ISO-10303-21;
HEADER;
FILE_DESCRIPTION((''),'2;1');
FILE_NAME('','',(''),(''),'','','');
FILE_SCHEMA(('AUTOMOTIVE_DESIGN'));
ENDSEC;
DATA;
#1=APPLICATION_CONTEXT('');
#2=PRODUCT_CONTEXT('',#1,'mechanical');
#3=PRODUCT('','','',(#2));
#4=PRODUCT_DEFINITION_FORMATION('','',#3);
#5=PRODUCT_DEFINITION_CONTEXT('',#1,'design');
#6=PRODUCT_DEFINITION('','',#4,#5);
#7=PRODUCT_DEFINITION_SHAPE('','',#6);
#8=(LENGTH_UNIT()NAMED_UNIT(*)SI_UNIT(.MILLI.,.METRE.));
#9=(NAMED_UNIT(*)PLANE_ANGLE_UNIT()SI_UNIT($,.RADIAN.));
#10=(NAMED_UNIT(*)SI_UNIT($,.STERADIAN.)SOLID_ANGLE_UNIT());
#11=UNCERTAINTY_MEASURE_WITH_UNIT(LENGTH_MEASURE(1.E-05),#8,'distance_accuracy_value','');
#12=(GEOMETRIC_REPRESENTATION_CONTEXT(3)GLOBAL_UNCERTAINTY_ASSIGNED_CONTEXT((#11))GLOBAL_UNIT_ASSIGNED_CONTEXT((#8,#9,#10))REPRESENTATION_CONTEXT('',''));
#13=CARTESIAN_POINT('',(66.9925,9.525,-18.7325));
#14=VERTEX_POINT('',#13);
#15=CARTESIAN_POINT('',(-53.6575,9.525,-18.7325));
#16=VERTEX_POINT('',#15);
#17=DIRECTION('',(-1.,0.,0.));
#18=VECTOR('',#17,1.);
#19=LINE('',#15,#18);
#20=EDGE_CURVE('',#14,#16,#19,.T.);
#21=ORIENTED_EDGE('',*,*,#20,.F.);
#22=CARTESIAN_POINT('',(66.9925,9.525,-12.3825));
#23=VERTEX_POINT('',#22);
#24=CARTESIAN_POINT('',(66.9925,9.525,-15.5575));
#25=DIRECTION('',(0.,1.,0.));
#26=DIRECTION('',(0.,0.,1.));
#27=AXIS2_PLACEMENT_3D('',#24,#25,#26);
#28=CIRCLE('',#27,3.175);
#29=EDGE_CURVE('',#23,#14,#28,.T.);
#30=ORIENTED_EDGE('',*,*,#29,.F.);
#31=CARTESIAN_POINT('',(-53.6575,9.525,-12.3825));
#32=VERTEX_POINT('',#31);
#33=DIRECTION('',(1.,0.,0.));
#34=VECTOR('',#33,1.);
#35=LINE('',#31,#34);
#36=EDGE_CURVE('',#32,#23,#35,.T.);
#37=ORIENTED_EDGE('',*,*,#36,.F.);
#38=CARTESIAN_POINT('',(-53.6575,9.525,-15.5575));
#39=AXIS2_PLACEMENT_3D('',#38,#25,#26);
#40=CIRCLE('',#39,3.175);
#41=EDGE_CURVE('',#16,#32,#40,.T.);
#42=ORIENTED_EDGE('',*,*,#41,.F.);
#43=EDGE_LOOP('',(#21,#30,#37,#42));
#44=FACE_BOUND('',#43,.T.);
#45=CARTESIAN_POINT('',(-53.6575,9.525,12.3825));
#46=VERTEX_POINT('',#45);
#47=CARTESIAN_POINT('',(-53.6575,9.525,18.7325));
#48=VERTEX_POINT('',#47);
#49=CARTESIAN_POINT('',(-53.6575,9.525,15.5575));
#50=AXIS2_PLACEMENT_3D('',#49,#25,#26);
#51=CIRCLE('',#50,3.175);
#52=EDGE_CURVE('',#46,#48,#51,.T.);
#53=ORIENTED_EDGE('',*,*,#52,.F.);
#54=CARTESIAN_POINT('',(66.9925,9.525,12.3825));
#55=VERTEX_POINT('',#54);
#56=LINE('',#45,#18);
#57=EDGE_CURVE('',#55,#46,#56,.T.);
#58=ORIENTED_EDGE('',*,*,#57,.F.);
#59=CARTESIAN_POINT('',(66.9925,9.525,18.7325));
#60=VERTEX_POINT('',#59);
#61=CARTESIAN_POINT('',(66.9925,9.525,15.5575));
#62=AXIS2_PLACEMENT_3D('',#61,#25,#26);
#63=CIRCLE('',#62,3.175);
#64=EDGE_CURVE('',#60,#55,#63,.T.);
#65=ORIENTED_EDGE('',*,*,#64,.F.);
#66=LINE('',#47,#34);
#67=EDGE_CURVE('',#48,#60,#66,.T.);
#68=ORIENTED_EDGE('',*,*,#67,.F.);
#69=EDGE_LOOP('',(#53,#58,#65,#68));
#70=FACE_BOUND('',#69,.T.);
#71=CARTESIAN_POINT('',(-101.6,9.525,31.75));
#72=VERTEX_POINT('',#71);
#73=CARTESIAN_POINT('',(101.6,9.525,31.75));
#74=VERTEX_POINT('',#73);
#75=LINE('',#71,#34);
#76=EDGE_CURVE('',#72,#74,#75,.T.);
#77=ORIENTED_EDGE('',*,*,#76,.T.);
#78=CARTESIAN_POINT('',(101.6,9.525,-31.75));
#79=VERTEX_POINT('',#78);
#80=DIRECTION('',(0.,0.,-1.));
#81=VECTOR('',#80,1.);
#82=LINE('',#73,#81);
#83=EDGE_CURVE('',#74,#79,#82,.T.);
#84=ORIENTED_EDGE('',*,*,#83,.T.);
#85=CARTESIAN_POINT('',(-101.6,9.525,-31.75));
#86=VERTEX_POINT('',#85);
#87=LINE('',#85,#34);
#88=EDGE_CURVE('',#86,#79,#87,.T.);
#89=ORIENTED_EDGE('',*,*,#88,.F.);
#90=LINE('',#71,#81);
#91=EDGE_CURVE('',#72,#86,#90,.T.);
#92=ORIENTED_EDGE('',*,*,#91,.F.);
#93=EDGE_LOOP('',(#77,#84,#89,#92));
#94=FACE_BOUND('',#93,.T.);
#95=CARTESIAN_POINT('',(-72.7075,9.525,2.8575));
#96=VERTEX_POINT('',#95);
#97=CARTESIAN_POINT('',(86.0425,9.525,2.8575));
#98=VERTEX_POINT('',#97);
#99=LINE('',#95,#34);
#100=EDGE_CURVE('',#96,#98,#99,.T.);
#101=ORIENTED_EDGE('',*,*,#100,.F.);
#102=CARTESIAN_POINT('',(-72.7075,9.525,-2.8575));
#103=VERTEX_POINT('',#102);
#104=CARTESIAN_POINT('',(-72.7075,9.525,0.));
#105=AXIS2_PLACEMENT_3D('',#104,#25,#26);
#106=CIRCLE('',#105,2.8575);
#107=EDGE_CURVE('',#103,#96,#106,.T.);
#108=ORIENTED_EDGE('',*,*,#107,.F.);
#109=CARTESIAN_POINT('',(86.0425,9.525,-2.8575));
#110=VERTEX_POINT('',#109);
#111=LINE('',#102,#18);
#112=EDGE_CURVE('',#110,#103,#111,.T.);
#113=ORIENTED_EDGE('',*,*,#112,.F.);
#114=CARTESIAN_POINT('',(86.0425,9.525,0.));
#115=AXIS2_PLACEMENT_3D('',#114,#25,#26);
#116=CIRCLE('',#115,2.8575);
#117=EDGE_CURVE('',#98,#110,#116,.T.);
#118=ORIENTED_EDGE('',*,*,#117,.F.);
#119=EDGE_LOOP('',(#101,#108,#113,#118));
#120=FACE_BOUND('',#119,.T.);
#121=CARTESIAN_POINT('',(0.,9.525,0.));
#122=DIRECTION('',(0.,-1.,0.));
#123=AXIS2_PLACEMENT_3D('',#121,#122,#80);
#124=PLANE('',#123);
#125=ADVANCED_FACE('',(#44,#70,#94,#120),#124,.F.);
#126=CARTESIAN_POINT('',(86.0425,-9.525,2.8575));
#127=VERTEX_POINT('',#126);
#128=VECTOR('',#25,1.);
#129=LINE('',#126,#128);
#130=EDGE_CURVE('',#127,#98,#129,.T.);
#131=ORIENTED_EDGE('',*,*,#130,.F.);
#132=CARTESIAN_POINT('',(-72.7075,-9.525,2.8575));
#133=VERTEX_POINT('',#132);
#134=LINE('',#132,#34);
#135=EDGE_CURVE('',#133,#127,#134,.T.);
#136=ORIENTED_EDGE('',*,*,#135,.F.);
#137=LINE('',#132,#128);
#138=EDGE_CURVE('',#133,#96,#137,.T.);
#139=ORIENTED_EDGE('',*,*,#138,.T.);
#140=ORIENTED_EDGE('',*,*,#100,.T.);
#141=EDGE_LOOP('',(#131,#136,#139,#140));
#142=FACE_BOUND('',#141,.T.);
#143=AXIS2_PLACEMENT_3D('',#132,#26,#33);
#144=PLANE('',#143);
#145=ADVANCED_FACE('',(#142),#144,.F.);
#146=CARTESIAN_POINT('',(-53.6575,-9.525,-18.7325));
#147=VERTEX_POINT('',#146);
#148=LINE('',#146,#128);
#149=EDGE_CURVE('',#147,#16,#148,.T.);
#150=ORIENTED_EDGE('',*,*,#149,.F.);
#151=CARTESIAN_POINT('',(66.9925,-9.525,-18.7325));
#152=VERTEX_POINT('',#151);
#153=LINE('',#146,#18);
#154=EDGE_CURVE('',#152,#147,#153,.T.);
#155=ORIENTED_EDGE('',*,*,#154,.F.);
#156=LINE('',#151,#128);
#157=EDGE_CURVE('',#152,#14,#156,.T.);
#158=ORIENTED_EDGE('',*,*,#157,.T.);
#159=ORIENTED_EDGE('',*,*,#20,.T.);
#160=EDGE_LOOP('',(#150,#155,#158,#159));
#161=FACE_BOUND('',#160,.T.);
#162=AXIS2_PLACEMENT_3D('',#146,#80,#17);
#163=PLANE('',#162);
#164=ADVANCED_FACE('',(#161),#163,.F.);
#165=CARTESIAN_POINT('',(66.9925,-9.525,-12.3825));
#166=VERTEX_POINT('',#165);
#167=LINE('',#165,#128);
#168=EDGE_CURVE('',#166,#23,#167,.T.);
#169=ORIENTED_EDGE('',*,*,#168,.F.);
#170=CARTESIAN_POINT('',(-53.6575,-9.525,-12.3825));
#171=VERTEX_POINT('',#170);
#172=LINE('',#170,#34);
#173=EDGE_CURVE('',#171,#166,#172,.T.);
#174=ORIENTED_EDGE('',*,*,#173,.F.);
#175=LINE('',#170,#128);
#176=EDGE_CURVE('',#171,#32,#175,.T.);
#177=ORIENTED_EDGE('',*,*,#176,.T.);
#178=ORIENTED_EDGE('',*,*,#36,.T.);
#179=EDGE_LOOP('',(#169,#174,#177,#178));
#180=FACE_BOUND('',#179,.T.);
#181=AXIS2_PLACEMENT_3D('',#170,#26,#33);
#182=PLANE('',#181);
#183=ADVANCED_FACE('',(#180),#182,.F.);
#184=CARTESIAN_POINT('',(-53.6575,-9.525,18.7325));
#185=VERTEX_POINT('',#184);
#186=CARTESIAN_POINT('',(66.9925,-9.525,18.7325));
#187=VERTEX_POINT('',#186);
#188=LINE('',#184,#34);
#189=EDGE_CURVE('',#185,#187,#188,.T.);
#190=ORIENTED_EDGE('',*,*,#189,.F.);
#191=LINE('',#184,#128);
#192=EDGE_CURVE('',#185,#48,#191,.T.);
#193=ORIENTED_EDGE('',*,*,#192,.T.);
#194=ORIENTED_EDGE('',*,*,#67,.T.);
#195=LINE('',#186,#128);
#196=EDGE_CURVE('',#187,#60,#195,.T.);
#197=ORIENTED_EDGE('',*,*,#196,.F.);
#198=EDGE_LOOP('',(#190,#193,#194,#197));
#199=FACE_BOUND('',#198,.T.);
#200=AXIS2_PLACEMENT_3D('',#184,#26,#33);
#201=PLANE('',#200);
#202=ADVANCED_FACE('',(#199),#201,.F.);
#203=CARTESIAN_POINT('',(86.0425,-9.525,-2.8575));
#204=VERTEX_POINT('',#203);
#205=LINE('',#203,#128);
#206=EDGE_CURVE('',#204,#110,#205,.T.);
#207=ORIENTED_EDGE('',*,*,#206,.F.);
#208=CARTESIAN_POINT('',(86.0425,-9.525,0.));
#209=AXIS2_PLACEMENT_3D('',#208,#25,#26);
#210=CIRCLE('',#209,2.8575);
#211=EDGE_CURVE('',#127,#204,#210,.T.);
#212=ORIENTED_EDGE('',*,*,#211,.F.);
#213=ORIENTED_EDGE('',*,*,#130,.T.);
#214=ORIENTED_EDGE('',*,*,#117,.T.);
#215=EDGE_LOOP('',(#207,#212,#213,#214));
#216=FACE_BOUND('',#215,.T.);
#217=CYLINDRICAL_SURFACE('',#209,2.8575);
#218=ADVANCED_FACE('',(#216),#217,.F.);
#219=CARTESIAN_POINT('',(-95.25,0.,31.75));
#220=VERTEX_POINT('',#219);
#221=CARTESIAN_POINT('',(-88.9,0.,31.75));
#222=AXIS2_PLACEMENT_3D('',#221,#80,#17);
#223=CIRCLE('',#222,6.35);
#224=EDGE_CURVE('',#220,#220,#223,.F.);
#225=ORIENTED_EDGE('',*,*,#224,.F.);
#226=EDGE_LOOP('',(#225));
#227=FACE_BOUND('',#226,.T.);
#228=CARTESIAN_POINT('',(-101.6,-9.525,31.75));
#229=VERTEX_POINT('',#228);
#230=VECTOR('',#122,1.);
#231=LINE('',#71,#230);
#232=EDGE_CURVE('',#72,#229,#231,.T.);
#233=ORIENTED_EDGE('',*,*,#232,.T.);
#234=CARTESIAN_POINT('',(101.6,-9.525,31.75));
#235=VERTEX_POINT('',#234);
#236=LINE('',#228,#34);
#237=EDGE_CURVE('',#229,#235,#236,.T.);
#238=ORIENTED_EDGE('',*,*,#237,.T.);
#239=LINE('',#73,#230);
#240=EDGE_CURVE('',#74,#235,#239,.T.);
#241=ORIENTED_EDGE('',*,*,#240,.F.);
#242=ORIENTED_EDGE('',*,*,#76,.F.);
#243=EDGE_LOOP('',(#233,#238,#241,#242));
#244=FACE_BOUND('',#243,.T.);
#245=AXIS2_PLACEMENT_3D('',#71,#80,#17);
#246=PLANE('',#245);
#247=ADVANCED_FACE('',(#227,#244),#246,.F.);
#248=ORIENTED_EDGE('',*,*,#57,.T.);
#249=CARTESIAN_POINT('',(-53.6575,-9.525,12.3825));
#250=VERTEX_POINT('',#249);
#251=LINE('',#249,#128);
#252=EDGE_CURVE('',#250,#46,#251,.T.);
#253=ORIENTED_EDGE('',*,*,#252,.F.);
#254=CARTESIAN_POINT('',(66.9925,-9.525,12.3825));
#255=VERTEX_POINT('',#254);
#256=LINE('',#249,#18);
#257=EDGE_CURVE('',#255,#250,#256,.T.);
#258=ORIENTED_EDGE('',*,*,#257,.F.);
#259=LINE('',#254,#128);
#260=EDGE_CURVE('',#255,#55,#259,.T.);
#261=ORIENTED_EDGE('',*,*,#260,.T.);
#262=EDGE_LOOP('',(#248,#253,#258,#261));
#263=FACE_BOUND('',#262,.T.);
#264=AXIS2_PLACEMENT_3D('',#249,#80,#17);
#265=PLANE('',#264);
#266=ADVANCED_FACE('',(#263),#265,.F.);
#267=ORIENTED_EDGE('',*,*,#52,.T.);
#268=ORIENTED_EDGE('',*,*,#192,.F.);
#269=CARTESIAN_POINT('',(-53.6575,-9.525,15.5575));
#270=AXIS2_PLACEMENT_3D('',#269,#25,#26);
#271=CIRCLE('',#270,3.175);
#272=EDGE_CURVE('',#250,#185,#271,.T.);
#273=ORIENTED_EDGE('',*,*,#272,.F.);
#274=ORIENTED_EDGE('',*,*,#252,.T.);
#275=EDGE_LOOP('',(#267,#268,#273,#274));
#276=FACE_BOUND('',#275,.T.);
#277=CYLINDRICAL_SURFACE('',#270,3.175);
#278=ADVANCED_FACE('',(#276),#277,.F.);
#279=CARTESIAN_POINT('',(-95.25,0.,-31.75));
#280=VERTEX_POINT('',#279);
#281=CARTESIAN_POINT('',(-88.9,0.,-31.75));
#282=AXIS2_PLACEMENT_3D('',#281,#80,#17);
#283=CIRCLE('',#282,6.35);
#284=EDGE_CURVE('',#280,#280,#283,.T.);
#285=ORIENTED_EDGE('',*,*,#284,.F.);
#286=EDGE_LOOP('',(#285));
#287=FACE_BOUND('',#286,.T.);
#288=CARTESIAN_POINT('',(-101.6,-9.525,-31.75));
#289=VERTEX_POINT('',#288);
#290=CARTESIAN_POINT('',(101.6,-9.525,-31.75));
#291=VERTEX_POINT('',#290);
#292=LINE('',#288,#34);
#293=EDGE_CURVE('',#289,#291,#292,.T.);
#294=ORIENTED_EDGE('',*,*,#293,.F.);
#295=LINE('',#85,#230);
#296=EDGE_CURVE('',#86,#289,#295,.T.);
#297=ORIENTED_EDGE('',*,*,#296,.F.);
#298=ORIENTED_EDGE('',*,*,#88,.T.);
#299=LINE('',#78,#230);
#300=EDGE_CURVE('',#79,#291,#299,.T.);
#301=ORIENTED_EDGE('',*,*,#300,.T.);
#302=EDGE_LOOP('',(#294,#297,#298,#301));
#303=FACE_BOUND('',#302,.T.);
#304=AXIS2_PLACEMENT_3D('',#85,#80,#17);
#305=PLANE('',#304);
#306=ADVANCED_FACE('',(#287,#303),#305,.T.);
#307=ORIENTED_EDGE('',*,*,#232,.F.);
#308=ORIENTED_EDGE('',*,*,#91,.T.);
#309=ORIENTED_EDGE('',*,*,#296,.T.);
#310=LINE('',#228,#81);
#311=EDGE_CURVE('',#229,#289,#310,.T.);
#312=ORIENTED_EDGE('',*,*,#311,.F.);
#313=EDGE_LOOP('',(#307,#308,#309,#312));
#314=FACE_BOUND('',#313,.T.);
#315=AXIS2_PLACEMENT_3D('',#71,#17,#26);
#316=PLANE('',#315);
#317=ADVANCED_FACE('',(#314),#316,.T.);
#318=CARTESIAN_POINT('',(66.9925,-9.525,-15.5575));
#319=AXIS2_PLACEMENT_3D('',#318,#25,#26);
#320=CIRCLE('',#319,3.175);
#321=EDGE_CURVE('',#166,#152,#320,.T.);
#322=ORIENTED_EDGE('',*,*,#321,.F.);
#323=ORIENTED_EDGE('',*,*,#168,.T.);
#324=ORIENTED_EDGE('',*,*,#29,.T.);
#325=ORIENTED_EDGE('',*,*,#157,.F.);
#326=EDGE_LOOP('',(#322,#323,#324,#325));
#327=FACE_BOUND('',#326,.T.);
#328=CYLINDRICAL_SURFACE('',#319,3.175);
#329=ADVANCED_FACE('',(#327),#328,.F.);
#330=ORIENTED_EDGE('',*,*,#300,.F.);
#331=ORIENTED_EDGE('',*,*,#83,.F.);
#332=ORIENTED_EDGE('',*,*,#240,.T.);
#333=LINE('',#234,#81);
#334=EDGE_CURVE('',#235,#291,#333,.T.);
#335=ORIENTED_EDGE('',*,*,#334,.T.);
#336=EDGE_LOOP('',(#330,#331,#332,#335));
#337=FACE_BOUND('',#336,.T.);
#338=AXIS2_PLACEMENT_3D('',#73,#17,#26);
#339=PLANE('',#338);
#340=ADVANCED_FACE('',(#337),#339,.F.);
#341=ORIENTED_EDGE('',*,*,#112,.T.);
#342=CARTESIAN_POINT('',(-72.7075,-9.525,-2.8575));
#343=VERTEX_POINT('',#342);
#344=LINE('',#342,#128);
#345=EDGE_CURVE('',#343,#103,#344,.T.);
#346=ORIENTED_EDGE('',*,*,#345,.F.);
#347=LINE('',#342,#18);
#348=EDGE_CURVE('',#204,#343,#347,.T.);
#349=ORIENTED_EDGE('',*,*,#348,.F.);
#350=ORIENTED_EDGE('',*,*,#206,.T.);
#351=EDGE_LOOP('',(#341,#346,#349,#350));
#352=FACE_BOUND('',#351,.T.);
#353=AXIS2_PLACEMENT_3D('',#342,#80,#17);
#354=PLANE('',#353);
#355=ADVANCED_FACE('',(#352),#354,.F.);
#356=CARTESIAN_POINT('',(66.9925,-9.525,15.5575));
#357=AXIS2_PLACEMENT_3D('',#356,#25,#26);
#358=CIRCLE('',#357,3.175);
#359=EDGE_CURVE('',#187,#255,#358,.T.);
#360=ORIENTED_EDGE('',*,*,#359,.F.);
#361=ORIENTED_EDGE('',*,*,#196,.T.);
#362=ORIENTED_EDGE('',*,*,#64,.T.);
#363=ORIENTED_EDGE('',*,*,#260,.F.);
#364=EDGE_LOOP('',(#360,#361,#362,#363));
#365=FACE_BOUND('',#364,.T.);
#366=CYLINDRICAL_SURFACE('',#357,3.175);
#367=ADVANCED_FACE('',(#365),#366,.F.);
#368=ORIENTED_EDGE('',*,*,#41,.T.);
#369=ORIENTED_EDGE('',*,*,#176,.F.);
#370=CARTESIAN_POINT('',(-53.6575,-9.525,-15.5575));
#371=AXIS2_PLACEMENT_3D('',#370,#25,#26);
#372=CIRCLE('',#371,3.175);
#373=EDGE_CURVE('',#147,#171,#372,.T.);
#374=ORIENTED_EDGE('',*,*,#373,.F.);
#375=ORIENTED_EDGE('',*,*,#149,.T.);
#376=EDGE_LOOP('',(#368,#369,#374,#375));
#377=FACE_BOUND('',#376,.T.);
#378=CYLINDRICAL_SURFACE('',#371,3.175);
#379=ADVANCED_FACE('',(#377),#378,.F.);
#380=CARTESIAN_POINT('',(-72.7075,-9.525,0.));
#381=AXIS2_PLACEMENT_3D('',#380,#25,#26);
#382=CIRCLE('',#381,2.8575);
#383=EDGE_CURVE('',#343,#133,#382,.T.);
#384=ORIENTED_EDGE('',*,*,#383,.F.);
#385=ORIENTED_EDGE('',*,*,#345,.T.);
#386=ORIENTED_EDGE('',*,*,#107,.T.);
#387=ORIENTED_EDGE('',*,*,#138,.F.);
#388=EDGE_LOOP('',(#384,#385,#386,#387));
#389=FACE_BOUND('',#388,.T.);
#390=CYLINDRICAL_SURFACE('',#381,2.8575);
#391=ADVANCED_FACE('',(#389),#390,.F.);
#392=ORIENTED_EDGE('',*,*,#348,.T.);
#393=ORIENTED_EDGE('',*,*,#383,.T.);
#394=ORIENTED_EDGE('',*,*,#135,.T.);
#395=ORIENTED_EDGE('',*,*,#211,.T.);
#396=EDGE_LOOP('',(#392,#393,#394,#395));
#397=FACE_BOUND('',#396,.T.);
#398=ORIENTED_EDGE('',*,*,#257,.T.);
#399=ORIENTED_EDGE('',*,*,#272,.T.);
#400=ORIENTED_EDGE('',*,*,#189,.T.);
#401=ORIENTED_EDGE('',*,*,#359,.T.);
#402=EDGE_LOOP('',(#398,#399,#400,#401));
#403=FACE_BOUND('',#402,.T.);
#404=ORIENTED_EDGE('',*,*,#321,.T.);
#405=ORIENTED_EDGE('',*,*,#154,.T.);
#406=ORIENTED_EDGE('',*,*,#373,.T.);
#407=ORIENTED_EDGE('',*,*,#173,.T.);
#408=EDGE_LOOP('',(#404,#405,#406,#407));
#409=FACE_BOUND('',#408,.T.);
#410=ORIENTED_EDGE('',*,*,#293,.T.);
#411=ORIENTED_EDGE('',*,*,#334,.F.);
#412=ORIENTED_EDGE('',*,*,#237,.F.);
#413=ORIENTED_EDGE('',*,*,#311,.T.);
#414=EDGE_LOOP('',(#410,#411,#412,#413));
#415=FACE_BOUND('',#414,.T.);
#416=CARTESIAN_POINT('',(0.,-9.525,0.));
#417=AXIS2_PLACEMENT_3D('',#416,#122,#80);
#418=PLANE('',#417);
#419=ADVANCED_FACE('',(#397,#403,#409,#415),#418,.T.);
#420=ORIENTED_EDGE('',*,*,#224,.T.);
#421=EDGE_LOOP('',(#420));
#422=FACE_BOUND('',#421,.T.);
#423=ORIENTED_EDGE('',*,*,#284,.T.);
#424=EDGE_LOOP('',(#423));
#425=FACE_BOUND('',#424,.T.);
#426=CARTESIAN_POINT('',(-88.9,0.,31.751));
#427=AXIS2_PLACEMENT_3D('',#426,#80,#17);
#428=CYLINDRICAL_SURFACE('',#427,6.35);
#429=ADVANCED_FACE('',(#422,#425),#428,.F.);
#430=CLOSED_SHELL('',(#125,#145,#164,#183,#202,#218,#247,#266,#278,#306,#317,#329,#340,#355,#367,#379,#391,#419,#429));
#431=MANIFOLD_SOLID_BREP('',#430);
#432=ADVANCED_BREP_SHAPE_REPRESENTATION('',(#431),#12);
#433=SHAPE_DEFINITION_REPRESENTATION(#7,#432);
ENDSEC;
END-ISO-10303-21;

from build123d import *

# Parameters (mm, degrees)
SKETCH1_W           = 203.2
SKETCH1_H           = 63.5
BOSS_EXTRUDE1_DEPTH = 9.525
CUT_EXTRUDE1_DEPTH  = 109.136603424
CUT_EXTRUDE2_REACH  = 122.19
SKETCH3_R           = 6.35


with BuildPart() as part:
    # Sketch1 → Boss-Extrude1 (new, symmetric)
    with BuildSketch(Plane(origin=(0, 0, 0), x_dir=(1, 0, 0), z_dir=(0, 1, 0))):
        Rectangle(SKETCH1_W, SKETCH1_H)
    extrude(amount=BOSS_EXTRUDE1_DEPTH, both=True)

    # Sketch2 → Cut-Extrude1 (cut, through all)
    with BuildSketch(Plane(origin=(0, 9.525, 0), x_dir=(1, 0, 0), z_dir=(0, 1, 0))):
        with BuildLine():
            Line((-72.7075, 2.8575), (86.0425, 2.8575))
            ThreePointArc((86.0425, 2.8575), (88.9, 0), (86.0425, -2.8575))
            Line((86.0425, -2.8575), (-72.7075, -2.8575))
            ThreePointArc((-72.7075, -2.8575), (-75.565, 0), (-72.7075, 2.8575))
        make_face()
        with BuildLine():
            Line((-53.6575, 18.7325), (66.9925, 18.7325))
            ThreePointArc((66.9925, 18.7325), (70.1675, 15.5575), (66.9925, 12.3825))
            Line((66.9925, 12.3825), (-53.6575, 12.3825))
            ThreePointArc((-53.6575, 12.3825), (-56.8325, 15.5575), (-53.6575, 18.7325))
        make_face()
        with BuildLine():
            Line((-53.6575, -12.3825), (66.9925, -12.3825))
            ThreePointArc((66.9925, -12.3825), (70.1675, -15.5575), (66.9925, -18.7325))
            Line((66.9925, -18.7325), (-53.6575, -18.7325))
            ThreePointArc((-53.6575, -18.7325), (-56.8325, -15.5575), (-53.6575, -12.3825))
        make_face()
    extrude(amount=-CUT_EXTRUDE1_DEPTH, mode=Mode.SUBTRACT)

    # Sketch3 → Cut-Extrude2 (cut, up to next)
    with BuildSketch(Plane(origin=(0, 0, -31.75), x_dir=(-1, 0, 0), z_dir=(0, 0, -1)), mode=Mode.PRIVATE) as cut_extrude2_sk1:
        with Locations((88.9, 0)):
            Circle(SKETCH3_R)
    cut_extrude2_tool1 = extrude(cut_extrude2_sk1.sketch, amount=-CUT_EXTRUDE2_REACH, mode=Mode.PRIVATE) & part.part
    add(cut_extrude2_tool1.solids().sort_by_distance((-88.9, 0, -31.75))[0], mode=Mode.SUBTRACT)


solid = part.part
